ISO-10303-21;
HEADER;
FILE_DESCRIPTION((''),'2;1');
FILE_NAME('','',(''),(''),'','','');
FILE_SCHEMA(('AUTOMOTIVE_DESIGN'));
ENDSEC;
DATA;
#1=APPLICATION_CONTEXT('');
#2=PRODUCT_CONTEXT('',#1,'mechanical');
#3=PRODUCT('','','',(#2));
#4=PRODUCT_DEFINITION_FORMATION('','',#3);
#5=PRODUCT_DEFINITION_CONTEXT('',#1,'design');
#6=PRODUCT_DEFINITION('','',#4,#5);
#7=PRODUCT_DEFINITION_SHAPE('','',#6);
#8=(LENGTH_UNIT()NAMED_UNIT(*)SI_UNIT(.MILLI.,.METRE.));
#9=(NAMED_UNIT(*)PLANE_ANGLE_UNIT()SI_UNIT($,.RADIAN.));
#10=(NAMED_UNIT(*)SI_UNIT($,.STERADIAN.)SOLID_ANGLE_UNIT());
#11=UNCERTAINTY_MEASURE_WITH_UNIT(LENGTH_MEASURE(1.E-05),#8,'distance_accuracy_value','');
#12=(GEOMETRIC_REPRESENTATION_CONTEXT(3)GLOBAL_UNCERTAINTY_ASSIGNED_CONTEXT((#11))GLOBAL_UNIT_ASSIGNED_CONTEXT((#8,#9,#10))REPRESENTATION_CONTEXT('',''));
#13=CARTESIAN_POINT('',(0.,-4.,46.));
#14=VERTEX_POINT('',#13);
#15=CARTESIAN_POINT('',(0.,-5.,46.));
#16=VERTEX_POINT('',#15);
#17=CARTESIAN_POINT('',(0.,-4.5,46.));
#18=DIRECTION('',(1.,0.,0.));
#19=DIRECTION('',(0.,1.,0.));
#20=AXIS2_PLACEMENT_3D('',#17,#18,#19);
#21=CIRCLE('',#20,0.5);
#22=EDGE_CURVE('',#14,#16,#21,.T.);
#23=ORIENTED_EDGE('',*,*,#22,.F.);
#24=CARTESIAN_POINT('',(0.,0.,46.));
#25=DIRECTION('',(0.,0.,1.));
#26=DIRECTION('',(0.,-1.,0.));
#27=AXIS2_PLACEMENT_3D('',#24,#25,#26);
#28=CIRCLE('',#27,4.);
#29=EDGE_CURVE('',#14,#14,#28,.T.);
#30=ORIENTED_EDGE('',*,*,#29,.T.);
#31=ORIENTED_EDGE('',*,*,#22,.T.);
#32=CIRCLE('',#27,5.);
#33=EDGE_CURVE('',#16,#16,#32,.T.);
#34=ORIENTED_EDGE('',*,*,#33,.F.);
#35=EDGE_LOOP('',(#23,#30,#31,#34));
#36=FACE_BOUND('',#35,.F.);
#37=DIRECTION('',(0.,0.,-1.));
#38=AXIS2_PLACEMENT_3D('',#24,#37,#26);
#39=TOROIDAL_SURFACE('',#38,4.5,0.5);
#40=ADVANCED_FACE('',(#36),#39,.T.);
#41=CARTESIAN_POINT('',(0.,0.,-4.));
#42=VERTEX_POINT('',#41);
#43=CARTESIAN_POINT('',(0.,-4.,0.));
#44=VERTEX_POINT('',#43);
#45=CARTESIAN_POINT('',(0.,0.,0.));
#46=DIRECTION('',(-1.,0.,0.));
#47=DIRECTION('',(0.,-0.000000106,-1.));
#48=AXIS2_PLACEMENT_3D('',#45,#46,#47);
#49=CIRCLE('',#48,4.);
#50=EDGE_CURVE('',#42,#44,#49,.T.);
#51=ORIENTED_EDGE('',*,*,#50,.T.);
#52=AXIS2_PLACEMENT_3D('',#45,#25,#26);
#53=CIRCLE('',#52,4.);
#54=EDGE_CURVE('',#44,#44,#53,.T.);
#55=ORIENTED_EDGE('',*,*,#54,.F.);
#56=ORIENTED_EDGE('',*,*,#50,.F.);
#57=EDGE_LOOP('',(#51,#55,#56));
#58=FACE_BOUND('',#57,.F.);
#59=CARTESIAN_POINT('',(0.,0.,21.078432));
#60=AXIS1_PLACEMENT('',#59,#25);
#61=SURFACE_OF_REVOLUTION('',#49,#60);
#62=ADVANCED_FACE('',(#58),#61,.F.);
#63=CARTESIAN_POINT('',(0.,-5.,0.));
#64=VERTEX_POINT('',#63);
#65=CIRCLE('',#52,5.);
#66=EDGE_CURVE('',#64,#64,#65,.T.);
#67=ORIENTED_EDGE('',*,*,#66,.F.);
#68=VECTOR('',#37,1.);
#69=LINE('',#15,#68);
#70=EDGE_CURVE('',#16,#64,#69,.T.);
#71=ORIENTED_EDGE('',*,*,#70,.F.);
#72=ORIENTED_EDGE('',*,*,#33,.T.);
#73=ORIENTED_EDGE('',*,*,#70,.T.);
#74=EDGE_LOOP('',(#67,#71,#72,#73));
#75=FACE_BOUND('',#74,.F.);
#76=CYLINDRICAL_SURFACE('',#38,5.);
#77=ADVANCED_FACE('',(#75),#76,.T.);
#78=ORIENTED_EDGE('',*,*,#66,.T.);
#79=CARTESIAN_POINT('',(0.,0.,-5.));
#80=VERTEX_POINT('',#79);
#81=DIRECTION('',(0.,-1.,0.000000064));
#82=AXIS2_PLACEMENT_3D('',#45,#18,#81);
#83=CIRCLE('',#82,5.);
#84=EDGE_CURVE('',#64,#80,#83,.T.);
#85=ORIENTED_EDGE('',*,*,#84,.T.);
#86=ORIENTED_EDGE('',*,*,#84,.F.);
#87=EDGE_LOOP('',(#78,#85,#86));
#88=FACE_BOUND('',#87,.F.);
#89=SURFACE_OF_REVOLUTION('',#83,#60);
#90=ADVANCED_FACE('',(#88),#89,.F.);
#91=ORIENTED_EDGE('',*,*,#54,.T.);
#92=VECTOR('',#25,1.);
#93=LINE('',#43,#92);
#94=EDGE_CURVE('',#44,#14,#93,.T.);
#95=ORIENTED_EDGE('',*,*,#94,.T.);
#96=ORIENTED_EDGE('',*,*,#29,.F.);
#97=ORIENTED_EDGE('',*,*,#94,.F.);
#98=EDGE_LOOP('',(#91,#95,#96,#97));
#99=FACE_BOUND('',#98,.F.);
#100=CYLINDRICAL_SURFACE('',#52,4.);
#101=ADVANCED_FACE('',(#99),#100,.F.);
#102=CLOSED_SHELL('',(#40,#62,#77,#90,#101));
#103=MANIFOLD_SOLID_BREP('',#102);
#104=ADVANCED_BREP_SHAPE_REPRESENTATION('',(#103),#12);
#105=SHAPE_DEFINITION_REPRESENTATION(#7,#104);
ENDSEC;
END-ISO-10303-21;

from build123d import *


with BuildPart() as f1:
    # F0 (on Right) → F1 (revolve)
    with BuildSketch(Plane.YZ):
        with BuildLine():
            Line((-4, 0), (-4, 46))
            ThreePointArc((-4, 46), (-4.5, 46.5), (-5, 46))
            Line((-5, 46), (-5, 0))
            ThreePointArc((-5, 0), (-3.535534, -3.535534), (0, -5))
            Line((0, -5), (0, -4))
            ThreePointArc((0, -4), (-2.828427, -2.828427), (-4, 0))
        make_face()
    revolve(axis=Axis((0, 0, 21.078432), (0, 0, 1)))


solid = f1.part
